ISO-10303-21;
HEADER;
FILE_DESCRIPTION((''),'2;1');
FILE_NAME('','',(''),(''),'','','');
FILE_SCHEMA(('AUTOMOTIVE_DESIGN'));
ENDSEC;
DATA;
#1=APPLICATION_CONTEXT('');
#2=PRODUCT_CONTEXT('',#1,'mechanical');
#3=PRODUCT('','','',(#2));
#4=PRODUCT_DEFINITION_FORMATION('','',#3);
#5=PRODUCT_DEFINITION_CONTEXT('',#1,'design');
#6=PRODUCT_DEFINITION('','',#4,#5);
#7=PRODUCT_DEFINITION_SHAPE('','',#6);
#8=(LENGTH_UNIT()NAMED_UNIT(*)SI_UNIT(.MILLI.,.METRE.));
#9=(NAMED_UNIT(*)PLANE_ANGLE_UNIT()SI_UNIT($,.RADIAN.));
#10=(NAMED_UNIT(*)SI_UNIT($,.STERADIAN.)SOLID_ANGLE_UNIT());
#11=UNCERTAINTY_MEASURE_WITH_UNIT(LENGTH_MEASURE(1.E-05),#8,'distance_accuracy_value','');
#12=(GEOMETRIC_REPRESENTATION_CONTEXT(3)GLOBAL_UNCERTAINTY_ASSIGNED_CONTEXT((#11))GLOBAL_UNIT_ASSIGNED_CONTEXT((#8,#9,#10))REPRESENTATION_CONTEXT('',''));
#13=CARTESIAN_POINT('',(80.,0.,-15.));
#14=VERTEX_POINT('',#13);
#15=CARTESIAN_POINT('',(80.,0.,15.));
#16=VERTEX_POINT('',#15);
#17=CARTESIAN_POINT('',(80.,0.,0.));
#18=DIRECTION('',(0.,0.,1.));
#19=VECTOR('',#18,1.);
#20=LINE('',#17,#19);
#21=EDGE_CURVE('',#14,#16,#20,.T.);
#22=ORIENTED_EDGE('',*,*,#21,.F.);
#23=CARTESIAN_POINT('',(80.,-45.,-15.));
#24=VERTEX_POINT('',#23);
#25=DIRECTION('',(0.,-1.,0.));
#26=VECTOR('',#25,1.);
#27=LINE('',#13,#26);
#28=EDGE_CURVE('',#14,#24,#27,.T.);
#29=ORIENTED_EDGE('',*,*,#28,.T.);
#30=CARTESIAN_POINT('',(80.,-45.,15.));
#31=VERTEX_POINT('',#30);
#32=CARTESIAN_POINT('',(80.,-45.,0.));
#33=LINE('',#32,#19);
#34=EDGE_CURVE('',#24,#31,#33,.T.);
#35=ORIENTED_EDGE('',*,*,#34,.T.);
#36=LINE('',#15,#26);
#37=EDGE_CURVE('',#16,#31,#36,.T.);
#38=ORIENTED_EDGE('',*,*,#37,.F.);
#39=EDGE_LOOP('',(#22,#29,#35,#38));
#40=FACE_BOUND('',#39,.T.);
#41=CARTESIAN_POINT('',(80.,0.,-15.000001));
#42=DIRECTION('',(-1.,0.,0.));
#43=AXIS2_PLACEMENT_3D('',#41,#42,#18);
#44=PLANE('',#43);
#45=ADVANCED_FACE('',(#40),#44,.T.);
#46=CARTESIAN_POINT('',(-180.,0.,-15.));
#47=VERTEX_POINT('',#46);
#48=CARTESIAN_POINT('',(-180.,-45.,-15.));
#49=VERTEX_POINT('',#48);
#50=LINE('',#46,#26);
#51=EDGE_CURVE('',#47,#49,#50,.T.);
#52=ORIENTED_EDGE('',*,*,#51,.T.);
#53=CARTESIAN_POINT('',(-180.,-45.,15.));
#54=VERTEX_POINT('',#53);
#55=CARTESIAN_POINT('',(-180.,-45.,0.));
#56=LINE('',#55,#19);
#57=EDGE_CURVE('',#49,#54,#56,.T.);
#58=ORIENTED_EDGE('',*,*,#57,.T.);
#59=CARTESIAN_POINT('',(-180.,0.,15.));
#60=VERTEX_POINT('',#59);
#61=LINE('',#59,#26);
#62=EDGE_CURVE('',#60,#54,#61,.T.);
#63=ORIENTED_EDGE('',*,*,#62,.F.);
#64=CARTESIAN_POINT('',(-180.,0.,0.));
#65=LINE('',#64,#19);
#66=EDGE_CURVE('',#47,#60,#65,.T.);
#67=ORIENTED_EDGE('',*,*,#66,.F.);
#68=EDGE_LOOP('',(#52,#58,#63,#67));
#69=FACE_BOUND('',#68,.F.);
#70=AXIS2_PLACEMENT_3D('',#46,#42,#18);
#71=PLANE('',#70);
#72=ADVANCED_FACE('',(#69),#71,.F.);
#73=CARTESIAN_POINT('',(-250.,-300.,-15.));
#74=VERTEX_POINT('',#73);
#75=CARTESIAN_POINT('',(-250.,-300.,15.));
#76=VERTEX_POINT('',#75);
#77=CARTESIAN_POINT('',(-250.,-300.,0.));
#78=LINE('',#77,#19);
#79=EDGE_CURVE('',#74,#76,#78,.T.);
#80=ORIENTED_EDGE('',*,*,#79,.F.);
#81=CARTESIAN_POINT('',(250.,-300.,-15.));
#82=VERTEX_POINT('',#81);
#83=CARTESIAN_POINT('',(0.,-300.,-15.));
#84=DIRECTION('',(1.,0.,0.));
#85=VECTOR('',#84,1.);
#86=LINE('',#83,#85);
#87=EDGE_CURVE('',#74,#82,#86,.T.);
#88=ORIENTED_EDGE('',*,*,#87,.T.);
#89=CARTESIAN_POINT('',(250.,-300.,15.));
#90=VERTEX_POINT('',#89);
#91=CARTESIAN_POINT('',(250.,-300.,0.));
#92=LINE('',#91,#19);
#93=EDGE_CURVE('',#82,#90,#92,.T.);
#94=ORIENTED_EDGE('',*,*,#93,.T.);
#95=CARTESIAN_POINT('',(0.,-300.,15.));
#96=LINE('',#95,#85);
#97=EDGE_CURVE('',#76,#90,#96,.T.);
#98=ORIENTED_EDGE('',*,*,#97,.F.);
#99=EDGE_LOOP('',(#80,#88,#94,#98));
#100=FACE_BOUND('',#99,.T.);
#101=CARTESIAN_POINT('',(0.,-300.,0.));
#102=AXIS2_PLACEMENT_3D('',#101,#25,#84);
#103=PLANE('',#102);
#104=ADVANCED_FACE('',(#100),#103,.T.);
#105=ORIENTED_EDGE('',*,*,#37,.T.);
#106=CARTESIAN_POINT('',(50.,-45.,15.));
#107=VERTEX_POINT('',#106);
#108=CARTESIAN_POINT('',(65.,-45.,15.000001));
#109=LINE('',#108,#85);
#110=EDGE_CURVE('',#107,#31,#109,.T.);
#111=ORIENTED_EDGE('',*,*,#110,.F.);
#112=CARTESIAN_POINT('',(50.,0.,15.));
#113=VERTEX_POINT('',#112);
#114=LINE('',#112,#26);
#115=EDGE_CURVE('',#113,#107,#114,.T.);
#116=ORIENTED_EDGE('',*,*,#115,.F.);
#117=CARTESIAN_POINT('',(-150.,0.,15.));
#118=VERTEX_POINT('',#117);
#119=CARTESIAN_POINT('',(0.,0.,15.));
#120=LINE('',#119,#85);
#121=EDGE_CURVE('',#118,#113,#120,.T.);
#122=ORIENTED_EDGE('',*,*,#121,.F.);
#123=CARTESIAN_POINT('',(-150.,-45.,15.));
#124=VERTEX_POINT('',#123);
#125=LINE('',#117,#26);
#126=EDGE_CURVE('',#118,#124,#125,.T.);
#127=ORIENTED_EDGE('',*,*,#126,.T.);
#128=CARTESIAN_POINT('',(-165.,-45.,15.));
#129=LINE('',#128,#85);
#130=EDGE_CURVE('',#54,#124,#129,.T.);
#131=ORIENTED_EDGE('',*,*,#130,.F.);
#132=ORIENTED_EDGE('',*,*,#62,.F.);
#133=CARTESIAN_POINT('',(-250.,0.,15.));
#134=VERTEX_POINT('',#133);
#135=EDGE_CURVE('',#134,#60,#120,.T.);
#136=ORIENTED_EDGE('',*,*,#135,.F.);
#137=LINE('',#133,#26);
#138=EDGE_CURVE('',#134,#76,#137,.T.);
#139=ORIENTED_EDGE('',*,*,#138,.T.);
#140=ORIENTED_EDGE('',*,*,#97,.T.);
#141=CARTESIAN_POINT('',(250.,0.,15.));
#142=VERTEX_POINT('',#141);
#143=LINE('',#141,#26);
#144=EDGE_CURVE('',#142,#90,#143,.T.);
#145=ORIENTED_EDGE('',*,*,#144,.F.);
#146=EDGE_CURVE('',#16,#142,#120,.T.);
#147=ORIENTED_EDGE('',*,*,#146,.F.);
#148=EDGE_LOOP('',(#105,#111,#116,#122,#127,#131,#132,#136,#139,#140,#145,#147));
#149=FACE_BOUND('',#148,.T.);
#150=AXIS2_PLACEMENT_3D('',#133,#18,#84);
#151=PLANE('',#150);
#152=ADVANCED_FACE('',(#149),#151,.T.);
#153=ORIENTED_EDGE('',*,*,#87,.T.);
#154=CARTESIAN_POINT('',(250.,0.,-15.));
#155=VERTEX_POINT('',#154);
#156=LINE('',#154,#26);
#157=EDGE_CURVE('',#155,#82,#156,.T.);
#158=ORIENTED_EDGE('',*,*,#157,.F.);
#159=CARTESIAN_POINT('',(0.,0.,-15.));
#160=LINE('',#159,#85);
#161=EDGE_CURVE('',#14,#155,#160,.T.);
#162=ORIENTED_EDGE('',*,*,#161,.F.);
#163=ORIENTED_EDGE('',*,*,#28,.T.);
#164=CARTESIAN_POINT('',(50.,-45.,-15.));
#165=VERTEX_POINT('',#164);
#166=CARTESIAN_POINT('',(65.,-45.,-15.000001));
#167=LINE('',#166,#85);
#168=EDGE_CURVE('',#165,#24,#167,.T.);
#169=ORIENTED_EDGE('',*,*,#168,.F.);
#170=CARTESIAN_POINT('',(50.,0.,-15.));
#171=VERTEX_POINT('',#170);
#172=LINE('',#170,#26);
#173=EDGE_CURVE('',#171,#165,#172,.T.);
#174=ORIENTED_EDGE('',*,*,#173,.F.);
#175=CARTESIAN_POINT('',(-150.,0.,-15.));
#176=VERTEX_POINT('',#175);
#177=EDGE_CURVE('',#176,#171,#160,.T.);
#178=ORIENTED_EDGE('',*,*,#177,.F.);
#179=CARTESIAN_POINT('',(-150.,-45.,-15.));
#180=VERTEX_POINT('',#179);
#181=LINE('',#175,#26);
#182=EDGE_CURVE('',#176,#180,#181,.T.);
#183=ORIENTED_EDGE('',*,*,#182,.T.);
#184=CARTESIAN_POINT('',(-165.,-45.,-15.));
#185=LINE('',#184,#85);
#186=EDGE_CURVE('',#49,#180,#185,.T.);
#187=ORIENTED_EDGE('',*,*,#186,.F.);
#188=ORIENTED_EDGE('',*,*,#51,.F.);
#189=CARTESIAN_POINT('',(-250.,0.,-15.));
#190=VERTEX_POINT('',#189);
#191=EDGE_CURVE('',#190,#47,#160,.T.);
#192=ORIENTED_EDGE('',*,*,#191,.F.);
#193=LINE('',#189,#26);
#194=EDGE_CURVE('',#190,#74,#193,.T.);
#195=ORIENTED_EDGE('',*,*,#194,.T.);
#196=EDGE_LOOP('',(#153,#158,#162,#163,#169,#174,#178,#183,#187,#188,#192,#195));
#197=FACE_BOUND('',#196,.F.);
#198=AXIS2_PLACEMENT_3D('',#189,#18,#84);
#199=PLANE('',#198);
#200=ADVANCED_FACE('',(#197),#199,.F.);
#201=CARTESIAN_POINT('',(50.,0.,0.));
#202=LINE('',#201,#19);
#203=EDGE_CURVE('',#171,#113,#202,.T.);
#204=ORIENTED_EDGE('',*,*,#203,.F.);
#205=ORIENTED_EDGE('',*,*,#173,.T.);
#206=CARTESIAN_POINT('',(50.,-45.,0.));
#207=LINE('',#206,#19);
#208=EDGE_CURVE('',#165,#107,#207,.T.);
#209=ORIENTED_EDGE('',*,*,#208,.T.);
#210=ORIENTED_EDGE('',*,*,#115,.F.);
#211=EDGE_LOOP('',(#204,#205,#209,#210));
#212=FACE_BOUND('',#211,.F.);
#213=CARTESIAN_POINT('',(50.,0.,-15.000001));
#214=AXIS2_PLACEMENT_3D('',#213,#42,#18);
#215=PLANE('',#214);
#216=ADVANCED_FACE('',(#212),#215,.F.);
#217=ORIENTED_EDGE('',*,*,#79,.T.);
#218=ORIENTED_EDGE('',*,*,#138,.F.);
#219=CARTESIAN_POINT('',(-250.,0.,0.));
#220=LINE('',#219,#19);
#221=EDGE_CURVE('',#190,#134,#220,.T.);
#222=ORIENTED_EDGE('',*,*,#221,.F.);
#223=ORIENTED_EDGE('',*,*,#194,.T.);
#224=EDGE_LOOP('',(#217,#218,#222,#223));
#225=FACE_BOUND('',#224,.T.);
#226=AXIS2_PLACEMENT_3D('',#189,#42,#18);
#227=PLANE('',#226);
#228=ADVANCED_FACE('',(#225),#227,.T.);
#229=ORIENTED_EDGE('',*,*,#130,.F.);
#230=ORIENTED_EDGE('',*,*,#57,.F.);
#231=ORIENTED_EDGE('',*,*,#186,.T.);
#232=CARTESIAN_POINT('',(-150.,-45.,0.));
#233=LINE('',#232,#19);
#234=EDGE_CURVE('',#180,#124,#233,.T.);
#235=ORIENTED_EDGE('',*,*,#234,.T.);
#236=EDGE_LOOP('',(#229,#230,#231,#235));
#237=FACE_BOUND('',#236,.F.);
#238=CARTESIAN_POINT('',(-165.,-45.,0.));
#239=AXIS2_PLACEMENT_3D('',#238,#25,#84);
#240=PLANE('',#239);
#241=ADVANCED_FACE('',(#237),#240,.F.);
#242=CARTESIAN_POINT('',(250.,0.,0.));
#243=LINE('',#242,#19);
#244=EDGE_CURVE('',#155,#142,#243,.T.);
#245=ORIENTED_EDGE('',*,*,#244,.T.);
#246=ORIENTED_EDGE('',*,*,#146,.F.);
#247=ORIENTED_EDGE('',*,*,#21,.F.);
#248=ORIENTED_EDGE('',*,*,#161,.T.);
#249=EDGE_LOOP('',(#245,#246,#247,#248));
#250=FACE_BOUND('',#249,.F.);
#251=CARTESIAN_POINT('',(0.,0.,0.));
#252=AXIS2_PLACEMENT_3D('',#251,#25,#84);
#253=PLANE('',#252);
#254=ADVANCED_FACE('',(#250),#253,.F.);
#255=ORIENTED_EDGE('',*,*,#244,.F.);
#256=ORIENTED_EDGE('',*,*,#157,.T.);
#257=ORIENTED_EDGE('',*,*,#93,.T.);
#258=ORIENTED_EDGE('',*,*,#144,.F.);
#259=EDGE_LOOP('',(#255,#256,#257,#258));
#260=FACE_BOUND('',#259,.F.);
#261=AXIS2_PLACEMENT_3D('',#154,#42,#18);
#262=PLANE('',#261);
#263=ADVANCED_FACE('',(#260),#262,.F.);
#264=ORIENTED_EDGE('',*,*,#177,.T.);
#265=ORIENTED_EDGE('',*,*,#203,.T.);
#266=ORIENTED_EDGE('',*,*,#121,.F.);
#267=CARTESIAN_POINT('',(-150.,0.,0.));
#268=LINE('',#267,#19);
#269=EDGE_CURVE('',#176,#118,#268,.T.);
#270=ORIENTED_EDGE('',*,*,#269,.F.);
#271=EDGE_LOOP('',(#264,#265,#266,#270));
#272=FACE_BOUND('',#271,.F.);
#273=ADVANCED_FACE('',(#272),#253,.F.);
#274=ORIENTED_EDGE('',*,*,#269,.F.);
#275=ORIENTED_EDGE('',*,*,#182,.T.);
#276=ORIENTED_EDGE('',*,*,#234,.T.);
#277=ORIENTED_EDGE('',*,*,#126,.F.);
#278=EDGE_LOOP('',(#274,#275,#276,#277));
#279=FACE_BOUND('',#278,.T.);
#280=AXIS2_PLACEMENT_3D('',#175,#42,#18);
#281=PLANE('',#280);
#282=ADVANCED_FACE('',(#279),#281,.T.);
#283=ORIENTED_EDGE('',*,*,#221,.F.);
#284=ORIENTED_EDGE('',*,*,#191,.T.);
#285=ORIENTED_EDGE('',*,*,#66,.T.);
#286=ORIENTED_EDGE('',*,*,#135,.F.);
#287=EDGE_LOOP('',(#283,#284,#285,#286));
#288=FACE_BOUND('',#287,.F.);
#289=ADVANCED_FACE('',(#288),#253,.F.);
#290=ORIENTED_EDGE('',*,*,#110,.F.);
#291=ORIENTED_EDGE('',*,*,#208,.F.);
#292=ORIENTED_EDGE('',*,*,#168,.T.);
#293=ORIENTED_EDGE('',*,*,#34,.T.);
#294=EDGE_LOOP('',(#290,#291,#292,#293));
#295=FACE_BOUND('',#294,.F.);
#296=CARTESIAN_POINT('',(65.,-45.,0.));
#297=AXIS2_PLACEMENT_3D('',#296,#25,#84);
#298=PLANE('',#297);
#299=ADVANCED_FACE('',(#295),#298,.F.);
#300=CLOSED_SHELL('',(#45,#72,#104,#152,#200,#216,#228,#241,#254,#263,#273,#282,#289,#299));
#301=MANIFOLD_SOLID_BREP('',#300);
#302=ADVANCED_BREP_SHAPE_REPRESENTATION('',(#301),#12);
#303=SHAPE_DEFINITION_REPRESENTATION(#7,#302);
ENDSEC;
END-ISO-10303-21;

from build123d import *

# Parameters (mm, degrees)
F0_W     = 500
F0_H     = 30
F1_DEPTH = 300
F2_W     = 30
F2_H     = 30.000001
F3_DEPTH = 45
F4_W     = 30
F4_H     = 30
F5_DEPTH = 45


with BuildPart() as f1:
    # F0 (on Front) → F1 (new body)
    with BuildSketch(Plane.XZ):
        Rectangle(F0_W, F0_H)
    extrude(amount=F1_DEPTH)

    # F2 (on Front) → F3 (cut)
    with BuildSketch(Plane.XZ):
        with Locations((65, 0)):
            Rectangle(F2_W, F2_H)
    extrude(amount=F3_DEPTH, mode=Mode.SUBTRACT)

    # F4 (on Front) → F5 (cut)
    with BuildSketch(Plane.XZ):
        with Locations((-165, 0)):
            Rectangle(F4_W, F4_H)
    extrude(amount=F5_DEPTH, mode=Mode.SUBTRACT)


solid = f1.part
